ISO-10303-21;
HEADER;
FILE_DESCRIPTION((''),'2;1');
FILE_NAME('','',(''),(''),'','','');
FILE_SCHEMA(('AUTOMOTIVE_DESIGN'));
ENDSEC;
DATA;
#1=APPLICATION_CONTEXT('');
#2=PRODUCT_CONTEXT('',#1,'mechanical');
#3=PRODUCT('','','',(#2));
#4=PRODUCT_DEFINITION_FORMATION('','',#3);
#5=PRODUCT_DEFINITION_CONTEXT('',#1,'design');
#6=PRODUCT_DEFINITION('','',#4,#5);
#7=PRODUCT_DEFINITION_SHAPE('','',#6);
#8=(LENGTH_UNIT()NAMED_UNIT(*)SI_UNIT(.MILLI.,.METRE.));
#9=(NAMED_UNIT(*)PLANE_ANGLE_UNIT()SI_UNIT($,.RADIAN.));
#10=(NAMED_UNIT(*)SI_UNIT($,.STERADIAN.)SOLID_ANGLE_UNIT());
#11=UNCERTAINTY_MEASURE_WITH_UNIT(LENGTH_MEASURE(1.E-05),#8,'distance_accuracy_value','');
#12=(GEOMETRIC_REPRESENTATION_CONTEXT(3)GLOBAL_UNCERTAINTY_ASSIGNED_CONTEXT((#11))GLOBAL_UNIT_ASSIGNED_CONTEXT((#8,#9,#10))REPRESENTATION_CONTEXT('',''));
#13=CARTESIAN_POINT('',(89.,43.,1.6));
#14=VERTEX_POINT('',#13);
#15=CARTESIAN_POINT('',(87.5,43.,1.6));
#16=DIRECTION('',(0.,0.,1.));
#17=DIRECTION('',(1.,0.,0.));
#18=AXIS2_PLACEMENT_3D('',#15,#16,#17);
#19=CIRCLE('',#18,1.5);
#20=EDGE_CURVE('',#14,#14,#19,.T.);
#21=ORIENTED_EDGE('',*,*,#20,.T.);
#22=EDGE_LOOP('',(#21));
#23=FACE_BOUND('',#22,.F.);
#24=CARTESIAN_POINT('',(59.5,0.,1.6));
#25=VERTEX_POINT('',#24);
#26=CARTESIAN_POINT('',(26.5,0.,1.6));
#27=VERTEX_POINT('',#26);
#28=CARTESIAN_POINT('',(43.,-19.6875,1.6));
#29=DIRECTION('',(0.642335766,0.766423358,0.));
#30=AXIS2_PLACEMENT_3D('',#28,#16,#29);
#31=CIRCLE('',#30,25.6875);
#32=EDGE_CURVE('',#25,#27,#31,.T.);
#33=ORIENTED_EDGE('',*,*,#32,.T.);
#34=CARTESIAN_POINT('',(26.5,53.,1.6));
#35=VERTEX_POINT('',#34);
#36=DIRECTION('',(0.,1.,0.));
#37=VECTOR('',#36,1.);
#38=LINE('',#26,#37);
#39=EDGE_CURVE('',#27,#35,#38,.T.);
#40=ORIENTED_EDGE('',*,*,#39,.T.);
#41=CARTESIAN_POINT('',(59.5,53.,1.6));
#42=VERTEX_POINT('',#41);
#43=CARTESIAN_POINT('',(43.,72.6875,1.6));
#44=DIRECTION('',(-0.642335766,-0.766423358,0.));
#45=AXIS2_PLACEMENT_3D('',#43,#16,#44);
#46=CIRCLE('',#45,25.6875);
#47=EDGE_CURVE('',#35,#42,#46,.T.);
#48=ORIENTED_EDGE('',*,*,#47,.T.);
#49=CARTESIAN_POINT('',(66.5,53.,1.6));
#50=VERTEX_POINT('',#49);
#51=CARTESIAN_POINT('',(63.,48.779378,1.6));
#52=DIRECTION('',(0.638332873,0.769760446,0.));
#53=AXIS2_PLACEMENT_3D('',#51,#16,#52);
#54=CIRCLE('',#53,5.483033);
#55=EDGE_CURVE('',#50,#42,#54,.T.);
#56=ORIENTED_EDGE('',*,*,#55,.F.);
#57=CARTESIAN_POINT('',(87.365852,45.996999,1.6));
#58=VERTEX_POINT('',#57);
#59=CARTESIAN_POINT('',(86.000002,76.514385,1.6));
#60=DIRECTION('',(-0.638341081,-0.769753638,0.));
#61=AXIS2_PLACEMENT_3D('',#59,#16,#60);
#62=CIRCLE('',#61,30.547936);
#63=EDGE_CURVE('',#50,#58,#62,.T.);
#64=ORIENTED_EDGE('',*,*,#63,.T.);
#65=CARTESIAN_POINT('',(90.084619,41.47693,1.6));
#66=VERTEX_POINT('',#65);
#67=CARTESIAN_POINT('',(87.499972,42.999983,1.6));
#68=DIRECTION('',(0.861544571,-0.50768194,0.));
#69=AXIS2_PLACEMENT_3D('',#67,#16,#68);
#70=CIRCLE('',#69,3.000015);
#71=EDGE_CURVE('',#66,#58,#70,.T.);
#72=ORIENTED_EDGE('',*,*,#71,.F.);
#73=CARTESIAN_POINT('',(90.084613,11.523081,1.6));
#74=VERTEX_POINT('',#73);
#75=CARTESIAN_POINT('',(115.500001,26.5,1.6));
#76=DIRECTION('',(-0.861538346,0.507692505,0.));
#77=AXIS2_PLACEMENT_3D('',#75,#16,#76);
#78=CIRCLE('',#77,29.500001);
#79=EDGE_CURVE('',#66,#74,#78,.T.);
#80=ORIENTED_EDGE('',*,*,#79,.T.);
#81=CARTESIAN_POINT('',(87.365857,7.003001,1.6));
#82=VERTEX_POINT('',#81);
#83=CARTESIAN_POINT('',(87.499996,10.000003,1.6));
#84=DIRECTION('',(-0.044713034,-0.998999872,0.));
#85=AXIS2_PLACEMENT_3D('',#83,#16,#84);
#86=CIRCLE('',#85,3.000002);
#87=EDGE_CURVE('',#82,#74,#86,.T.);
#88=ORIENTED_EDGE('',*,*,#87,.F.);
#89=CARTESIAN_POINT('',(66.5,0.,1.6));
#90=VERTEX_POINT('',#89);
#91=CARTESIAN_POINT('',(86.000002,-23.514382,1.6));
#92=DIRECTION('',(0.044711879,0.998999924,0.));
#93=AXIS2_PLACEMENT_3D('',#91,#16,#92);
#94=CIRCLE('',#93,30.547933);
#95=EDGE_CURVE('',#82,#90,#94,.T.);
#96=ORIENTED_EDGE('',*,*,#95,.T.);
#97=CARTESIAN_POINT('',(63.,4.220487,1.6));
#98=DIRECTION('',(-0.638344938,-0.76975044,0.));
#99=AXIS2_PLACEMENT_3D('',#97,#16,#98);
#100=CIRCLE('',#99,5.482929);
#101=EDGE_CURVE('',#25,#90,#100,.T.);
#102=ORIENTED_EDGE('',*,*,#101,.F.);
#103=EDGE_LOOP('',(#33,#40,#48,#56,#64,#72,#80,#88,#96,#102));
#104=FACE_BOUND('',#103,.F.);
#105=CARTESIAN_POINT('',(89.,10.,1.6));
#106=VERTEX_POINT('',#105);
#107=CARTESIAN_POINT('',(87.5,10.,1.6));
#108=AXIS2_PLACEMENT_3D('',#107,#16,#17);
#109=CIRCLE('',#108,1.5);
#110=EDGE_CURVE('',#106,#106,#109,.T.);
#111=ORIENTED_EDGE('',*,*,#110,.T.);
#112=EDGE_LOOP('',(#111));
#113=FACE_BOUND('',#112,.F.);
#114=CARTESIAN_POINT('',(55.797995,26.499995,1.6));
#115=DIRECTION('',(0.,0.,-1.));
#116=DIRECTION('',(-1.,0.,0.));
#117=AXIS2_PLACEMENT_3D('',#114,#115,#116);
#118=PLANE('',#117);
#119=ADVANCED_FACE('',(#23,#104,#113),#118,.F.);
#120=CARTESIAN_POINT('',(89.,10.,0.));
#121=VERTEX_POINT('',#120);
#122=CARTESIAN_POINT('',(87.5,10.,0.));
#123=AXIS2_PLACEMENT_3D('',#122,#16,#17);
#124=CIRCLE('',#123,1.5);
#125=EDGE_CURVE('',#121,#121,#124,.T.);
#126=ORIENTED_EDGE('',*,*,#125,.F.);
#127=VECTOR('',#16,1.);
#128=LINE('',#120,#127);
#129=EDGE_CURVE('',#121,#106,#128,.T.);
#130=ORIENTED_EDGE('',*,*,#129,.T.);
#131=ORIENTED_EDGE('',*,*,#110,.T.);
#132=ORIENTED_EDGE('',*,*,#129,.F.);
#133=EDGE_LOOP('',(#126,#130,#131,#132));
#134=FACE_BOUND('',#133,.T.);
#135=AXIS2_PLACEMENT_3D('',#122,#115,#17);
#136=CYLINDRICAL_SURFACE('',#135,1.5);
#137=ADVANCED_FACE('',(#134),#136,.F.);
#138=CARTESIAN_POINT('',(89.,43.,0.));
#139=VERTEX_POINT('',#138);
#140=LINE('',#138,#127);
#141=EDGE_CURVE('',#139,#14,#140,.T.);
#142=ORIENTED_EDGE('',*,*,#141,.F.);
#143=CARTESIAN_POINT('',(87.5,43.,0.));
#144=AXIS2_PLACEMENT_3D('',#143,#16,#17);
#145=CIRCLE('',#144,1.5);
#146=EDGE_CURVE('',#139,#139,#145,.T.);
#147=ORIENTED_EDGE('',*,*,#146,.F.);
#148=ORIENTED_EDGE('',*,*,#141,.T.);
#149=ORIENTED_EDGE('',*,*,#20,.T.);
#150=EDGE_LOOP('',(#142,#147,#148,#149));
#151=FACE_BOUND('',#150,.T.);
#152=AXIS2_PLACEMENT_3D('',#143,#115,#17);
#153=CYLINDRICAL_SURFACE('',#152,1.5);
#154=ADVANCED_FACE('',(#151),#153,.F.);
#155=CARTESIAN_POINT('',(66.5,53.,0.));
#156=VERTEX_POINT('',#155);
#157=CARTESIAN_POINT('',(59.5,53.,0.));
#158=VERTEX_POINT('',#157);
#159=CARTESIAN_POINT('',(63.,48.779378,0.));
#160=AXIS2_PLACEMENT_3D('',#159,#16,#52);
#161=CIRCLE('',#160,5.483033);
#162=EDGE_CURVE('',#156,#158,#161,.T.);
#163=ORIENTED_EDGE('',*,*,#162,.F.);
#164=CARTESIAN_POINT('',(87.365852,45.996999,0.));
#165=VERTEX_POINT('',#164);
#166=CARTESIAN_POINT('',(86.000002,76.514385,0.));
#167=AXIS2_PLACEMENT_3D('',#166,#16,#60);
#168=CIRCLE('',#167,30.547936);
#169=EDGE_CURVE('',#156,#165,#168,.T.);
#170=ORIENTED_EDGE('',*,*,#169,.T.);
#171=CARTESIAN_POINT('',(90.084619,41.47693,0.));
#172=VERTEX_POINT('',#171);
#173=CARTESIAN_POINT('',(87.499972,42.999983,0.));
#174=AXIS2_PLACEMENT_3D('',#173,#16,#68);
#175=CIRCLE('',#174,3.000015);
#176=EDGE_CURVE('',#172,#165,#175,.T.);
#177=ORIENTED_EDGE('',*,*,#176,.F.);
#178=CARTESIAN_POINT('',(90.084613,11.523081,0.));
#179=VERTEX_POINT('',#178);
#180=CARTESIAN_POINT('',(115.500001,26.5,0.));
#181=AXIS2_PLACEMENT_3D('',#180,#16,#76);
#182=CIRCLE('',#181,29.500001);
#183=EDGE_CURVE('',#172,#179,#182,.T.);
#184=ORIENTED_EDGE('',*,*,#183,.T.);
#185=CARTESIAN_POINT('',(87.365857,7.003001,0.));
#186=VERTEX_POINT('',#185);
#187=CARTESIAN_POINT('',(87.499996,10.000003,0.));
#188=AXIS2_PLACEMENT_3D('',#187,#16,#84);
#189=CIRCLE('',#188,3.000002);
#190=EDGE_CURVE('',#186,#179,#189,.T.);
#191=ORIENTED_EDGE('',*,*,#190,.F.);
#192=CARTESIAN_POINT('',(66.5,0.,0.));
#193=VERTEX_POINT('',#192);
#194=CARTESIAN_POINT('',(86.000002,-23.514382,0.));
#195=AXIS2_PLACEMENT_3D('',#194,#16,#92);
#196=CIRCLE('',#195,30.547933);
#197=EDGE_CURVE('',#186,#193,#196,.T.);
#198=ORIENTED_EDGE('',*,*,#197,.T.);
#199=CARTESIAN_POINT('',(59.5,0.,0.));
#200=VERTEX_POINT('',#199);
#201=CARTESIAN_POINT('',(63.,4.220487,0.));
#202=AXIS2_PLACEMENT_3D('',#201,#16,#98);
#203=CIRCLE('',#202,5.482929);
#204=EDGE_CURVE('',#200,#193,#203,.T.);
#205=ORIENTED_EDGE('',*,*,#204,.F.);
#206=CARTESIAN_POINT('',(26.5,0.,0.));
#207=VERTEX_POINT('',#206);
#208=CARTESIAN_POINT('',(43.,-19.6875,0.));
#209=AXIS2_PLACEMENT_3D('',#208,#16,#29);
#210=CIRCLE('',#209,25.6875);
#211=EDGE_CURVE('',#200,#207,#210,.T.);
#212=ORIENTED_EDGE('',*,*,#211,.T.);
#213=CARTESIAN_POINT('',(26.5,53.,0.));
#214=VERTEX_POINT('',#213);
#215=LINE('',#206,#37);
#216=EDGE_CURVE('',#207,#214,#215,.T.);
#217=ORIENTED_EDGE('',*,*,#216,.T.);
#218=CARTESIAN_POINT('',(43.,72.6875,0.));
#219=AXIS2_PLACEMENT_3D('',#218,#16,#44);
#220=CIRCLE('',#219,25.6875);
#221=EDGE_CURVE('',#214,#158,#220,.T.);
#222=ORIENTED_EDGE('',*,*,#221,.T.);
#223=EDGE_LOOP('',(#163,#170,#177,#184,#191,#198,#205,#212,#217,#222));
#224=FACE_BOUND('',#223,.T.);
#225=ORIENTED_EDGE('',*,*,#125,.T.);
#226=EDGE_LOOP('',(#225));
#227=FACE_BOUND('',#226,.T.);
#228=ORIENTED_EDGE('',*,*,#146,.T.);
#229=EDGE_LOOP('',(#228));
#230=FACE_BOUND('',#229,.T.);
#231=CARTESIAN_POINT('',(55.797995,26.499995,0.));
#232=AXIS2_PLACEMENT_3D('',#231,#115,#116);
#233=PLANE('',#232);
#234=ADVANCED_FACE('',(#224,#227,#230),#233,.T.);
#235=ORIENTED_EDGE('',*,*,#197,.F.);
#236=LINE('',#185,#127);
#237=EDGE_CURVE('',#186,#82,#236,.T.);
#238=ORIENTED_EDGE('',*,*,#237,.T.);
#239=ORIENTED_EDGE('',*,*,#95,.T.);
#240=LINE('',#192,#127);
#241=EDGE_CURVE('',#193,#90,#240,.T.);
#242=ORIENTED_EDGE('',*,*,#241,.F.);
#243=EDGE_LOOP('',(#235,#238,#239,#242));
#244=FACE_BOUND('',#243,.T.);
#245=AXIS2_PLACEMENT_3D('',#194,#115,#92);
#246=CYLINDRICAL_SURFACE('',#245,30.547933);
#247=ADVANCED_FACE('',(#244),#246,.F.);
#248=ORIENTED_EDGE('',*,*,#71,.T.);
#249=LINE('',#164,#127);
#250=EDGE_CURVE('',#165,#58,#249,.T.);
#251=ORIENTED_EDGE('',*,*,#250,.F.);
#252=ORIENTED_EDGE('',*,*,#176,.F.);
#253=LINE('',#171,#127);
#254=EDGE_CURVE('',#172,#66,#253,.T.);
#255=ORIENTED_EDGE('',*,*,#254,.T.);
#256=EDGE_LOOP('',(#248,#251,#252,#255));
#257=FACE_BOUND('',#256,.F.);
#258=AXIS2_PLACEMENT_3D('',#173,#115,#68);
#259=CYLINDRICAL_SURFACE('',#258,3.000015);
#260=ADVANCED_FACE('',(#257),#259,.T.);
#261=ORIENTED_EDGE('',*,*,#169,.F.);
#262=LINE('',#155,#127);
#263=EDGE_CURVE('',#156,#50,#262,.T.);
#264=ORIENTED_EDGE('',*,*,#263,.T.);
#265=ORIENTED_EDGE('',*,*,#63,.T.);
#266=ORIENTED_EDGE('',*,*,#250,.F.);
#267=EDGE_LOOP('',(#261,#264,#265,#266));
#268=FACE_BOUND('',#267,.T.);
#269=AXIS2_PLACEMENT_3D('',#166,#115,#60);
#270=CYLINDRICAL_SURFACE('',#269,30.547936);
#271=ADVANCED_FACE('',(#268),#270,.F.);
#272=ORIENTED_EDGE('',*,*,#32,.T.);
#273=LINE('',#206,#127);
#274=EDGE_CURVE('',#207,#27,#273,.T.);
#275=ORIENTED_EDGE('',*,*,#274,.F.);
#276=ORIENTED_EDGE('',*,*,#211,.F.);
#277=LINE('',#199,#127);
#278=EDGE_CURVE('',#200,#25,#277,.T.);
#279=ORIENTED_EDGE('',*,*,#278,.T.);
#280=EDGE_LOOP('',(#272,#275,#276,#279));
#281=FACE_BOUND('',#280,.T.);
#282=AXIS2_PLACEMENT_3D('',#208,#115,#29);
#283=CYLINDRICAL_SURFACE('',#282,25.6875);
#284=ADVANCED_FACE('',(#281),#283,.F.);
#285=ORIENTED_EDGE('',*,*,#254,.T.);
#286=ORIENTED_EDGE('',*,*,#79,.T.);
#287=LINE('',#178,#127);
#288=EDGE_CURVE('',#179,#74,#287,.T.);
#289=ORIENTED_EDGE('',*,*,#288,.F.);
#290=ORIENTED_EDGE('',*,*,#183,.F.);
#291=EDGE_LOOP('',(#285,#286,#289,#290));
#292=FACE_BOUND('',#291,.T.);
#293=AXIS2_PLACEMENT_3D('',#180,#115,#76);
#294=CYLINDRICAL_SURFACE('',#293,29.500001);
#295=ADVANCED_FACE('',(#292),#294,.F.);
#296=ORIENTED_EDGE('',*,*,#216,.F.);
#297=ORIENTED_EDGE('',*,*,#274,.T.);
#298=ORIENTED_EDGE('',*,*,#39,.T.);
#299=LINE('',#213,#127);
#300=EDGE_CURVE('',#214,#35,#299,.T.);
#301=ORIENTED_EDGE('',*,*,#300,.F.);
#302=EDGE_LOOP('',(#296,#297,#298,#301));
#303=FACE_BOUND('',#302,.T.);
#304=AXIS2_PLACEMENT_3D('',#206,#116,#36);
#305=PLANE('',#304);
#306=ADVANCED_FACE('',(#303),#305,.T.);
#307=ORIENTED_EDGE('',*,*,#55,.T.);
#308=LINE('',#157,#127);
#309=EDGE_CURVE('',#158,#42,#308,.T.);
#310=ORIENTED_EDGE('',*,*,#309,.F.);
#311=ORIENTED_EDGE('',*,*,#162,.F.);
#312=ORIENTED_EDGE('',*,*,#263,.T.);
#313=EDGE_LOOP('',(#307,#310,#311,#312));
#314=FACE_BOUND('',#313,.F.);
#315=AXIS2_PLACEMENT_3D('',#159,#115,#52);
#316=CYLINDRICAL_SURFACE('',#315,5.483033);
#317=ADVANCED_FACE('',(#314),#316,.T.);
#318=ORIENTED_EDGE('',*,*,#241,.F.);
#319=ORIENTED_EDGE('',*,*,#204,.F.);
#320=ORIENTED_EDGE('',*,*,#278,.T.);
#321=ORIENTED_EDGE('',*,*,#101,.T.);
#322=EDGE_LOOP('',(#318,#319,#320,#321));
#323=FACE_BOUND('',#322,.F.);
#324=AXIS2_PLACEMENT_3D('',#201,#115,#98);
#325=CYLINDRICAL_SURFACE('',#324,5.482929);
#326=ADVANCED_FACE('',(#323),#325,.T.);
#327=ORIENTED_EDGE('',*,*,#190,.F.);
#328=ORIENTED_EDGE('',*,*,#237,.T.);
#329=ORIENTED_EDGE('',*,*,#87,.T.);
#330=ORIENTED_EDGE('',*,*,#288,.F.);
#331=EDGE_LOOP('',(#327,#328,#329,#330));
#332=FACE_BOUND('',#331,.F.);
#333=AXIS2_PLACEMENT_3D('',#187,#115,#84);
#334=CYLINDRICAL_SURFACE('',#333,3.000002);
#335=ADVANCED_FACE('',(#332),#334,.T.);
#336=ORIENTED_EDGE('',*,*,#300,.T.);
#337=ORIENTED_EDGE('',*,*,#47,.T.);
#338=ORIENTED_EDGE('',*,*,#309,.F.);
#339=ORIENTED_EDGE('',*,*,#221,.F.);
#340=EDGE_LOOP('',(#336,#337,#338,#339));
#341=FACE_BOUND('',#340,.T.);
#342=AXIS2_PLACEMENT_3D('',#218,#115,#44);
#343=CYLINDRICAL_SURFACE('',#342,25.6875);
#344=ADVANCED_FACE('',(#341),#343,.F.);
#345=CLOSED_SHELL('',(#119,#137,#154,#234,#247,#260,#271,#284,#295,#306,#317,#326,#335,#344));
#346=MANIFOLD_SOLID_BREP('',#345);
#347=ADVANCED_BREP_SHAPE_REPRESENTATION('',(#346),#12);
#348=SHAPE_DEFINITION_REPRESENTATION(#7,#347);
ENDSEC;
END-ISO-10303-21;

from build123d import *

# Parameters (mm, degrees)
SKETCH_R  = 1.5
PAD_DEPTH = 1.6


with BuildPart() as part:
    # Sketch → Pad (new body)
    with BuildSketch(Plane.XY):
        with BuildLine():
            ThreePointArc((59.5, 0), (43, 6), (26.5, 0))
            Line((26.5, 0), (26.5, 53))
            ThreePointArc((26.5, 53), (43, 47), (59.5, 53))
            ThreePointArc((66.5, 53), (63, 54.262411), (59.5, 53))
            ThreePointArc((66.5, 53), (76.280312, 47.553998), (87.365852, 45.996999))
            ThreePointArc((90.084619, 41.47693), (90.070775, 44.54629), (87.365852, 45.996999))
            ThreePointArc((90.084619, 41.47693), (86, 26.500006), (90.084613, 11.523081))
            ThreePointArc((87.365857, 7.003001), (90.070792, 8.45371), (90.084613, 11.523081))
            ThreePointArc((87.365857, 7.003001), (76.280314, 5.446003), (66.5, 0))
            ThreePointArc((59.5, 0), (63, -1.262442), (66.5, 0))
        make_face()
        with Locations((87.5, 43)):
            Circle(SKETCH_R, mode=Mode.SUBTRACT)
        with Locations((87.5, 10)):
            Circle(SKETCH_R, mode=Mode.SUBTRACT)
    extrude(amount=PAD_DEPTH)


solid = part.part
